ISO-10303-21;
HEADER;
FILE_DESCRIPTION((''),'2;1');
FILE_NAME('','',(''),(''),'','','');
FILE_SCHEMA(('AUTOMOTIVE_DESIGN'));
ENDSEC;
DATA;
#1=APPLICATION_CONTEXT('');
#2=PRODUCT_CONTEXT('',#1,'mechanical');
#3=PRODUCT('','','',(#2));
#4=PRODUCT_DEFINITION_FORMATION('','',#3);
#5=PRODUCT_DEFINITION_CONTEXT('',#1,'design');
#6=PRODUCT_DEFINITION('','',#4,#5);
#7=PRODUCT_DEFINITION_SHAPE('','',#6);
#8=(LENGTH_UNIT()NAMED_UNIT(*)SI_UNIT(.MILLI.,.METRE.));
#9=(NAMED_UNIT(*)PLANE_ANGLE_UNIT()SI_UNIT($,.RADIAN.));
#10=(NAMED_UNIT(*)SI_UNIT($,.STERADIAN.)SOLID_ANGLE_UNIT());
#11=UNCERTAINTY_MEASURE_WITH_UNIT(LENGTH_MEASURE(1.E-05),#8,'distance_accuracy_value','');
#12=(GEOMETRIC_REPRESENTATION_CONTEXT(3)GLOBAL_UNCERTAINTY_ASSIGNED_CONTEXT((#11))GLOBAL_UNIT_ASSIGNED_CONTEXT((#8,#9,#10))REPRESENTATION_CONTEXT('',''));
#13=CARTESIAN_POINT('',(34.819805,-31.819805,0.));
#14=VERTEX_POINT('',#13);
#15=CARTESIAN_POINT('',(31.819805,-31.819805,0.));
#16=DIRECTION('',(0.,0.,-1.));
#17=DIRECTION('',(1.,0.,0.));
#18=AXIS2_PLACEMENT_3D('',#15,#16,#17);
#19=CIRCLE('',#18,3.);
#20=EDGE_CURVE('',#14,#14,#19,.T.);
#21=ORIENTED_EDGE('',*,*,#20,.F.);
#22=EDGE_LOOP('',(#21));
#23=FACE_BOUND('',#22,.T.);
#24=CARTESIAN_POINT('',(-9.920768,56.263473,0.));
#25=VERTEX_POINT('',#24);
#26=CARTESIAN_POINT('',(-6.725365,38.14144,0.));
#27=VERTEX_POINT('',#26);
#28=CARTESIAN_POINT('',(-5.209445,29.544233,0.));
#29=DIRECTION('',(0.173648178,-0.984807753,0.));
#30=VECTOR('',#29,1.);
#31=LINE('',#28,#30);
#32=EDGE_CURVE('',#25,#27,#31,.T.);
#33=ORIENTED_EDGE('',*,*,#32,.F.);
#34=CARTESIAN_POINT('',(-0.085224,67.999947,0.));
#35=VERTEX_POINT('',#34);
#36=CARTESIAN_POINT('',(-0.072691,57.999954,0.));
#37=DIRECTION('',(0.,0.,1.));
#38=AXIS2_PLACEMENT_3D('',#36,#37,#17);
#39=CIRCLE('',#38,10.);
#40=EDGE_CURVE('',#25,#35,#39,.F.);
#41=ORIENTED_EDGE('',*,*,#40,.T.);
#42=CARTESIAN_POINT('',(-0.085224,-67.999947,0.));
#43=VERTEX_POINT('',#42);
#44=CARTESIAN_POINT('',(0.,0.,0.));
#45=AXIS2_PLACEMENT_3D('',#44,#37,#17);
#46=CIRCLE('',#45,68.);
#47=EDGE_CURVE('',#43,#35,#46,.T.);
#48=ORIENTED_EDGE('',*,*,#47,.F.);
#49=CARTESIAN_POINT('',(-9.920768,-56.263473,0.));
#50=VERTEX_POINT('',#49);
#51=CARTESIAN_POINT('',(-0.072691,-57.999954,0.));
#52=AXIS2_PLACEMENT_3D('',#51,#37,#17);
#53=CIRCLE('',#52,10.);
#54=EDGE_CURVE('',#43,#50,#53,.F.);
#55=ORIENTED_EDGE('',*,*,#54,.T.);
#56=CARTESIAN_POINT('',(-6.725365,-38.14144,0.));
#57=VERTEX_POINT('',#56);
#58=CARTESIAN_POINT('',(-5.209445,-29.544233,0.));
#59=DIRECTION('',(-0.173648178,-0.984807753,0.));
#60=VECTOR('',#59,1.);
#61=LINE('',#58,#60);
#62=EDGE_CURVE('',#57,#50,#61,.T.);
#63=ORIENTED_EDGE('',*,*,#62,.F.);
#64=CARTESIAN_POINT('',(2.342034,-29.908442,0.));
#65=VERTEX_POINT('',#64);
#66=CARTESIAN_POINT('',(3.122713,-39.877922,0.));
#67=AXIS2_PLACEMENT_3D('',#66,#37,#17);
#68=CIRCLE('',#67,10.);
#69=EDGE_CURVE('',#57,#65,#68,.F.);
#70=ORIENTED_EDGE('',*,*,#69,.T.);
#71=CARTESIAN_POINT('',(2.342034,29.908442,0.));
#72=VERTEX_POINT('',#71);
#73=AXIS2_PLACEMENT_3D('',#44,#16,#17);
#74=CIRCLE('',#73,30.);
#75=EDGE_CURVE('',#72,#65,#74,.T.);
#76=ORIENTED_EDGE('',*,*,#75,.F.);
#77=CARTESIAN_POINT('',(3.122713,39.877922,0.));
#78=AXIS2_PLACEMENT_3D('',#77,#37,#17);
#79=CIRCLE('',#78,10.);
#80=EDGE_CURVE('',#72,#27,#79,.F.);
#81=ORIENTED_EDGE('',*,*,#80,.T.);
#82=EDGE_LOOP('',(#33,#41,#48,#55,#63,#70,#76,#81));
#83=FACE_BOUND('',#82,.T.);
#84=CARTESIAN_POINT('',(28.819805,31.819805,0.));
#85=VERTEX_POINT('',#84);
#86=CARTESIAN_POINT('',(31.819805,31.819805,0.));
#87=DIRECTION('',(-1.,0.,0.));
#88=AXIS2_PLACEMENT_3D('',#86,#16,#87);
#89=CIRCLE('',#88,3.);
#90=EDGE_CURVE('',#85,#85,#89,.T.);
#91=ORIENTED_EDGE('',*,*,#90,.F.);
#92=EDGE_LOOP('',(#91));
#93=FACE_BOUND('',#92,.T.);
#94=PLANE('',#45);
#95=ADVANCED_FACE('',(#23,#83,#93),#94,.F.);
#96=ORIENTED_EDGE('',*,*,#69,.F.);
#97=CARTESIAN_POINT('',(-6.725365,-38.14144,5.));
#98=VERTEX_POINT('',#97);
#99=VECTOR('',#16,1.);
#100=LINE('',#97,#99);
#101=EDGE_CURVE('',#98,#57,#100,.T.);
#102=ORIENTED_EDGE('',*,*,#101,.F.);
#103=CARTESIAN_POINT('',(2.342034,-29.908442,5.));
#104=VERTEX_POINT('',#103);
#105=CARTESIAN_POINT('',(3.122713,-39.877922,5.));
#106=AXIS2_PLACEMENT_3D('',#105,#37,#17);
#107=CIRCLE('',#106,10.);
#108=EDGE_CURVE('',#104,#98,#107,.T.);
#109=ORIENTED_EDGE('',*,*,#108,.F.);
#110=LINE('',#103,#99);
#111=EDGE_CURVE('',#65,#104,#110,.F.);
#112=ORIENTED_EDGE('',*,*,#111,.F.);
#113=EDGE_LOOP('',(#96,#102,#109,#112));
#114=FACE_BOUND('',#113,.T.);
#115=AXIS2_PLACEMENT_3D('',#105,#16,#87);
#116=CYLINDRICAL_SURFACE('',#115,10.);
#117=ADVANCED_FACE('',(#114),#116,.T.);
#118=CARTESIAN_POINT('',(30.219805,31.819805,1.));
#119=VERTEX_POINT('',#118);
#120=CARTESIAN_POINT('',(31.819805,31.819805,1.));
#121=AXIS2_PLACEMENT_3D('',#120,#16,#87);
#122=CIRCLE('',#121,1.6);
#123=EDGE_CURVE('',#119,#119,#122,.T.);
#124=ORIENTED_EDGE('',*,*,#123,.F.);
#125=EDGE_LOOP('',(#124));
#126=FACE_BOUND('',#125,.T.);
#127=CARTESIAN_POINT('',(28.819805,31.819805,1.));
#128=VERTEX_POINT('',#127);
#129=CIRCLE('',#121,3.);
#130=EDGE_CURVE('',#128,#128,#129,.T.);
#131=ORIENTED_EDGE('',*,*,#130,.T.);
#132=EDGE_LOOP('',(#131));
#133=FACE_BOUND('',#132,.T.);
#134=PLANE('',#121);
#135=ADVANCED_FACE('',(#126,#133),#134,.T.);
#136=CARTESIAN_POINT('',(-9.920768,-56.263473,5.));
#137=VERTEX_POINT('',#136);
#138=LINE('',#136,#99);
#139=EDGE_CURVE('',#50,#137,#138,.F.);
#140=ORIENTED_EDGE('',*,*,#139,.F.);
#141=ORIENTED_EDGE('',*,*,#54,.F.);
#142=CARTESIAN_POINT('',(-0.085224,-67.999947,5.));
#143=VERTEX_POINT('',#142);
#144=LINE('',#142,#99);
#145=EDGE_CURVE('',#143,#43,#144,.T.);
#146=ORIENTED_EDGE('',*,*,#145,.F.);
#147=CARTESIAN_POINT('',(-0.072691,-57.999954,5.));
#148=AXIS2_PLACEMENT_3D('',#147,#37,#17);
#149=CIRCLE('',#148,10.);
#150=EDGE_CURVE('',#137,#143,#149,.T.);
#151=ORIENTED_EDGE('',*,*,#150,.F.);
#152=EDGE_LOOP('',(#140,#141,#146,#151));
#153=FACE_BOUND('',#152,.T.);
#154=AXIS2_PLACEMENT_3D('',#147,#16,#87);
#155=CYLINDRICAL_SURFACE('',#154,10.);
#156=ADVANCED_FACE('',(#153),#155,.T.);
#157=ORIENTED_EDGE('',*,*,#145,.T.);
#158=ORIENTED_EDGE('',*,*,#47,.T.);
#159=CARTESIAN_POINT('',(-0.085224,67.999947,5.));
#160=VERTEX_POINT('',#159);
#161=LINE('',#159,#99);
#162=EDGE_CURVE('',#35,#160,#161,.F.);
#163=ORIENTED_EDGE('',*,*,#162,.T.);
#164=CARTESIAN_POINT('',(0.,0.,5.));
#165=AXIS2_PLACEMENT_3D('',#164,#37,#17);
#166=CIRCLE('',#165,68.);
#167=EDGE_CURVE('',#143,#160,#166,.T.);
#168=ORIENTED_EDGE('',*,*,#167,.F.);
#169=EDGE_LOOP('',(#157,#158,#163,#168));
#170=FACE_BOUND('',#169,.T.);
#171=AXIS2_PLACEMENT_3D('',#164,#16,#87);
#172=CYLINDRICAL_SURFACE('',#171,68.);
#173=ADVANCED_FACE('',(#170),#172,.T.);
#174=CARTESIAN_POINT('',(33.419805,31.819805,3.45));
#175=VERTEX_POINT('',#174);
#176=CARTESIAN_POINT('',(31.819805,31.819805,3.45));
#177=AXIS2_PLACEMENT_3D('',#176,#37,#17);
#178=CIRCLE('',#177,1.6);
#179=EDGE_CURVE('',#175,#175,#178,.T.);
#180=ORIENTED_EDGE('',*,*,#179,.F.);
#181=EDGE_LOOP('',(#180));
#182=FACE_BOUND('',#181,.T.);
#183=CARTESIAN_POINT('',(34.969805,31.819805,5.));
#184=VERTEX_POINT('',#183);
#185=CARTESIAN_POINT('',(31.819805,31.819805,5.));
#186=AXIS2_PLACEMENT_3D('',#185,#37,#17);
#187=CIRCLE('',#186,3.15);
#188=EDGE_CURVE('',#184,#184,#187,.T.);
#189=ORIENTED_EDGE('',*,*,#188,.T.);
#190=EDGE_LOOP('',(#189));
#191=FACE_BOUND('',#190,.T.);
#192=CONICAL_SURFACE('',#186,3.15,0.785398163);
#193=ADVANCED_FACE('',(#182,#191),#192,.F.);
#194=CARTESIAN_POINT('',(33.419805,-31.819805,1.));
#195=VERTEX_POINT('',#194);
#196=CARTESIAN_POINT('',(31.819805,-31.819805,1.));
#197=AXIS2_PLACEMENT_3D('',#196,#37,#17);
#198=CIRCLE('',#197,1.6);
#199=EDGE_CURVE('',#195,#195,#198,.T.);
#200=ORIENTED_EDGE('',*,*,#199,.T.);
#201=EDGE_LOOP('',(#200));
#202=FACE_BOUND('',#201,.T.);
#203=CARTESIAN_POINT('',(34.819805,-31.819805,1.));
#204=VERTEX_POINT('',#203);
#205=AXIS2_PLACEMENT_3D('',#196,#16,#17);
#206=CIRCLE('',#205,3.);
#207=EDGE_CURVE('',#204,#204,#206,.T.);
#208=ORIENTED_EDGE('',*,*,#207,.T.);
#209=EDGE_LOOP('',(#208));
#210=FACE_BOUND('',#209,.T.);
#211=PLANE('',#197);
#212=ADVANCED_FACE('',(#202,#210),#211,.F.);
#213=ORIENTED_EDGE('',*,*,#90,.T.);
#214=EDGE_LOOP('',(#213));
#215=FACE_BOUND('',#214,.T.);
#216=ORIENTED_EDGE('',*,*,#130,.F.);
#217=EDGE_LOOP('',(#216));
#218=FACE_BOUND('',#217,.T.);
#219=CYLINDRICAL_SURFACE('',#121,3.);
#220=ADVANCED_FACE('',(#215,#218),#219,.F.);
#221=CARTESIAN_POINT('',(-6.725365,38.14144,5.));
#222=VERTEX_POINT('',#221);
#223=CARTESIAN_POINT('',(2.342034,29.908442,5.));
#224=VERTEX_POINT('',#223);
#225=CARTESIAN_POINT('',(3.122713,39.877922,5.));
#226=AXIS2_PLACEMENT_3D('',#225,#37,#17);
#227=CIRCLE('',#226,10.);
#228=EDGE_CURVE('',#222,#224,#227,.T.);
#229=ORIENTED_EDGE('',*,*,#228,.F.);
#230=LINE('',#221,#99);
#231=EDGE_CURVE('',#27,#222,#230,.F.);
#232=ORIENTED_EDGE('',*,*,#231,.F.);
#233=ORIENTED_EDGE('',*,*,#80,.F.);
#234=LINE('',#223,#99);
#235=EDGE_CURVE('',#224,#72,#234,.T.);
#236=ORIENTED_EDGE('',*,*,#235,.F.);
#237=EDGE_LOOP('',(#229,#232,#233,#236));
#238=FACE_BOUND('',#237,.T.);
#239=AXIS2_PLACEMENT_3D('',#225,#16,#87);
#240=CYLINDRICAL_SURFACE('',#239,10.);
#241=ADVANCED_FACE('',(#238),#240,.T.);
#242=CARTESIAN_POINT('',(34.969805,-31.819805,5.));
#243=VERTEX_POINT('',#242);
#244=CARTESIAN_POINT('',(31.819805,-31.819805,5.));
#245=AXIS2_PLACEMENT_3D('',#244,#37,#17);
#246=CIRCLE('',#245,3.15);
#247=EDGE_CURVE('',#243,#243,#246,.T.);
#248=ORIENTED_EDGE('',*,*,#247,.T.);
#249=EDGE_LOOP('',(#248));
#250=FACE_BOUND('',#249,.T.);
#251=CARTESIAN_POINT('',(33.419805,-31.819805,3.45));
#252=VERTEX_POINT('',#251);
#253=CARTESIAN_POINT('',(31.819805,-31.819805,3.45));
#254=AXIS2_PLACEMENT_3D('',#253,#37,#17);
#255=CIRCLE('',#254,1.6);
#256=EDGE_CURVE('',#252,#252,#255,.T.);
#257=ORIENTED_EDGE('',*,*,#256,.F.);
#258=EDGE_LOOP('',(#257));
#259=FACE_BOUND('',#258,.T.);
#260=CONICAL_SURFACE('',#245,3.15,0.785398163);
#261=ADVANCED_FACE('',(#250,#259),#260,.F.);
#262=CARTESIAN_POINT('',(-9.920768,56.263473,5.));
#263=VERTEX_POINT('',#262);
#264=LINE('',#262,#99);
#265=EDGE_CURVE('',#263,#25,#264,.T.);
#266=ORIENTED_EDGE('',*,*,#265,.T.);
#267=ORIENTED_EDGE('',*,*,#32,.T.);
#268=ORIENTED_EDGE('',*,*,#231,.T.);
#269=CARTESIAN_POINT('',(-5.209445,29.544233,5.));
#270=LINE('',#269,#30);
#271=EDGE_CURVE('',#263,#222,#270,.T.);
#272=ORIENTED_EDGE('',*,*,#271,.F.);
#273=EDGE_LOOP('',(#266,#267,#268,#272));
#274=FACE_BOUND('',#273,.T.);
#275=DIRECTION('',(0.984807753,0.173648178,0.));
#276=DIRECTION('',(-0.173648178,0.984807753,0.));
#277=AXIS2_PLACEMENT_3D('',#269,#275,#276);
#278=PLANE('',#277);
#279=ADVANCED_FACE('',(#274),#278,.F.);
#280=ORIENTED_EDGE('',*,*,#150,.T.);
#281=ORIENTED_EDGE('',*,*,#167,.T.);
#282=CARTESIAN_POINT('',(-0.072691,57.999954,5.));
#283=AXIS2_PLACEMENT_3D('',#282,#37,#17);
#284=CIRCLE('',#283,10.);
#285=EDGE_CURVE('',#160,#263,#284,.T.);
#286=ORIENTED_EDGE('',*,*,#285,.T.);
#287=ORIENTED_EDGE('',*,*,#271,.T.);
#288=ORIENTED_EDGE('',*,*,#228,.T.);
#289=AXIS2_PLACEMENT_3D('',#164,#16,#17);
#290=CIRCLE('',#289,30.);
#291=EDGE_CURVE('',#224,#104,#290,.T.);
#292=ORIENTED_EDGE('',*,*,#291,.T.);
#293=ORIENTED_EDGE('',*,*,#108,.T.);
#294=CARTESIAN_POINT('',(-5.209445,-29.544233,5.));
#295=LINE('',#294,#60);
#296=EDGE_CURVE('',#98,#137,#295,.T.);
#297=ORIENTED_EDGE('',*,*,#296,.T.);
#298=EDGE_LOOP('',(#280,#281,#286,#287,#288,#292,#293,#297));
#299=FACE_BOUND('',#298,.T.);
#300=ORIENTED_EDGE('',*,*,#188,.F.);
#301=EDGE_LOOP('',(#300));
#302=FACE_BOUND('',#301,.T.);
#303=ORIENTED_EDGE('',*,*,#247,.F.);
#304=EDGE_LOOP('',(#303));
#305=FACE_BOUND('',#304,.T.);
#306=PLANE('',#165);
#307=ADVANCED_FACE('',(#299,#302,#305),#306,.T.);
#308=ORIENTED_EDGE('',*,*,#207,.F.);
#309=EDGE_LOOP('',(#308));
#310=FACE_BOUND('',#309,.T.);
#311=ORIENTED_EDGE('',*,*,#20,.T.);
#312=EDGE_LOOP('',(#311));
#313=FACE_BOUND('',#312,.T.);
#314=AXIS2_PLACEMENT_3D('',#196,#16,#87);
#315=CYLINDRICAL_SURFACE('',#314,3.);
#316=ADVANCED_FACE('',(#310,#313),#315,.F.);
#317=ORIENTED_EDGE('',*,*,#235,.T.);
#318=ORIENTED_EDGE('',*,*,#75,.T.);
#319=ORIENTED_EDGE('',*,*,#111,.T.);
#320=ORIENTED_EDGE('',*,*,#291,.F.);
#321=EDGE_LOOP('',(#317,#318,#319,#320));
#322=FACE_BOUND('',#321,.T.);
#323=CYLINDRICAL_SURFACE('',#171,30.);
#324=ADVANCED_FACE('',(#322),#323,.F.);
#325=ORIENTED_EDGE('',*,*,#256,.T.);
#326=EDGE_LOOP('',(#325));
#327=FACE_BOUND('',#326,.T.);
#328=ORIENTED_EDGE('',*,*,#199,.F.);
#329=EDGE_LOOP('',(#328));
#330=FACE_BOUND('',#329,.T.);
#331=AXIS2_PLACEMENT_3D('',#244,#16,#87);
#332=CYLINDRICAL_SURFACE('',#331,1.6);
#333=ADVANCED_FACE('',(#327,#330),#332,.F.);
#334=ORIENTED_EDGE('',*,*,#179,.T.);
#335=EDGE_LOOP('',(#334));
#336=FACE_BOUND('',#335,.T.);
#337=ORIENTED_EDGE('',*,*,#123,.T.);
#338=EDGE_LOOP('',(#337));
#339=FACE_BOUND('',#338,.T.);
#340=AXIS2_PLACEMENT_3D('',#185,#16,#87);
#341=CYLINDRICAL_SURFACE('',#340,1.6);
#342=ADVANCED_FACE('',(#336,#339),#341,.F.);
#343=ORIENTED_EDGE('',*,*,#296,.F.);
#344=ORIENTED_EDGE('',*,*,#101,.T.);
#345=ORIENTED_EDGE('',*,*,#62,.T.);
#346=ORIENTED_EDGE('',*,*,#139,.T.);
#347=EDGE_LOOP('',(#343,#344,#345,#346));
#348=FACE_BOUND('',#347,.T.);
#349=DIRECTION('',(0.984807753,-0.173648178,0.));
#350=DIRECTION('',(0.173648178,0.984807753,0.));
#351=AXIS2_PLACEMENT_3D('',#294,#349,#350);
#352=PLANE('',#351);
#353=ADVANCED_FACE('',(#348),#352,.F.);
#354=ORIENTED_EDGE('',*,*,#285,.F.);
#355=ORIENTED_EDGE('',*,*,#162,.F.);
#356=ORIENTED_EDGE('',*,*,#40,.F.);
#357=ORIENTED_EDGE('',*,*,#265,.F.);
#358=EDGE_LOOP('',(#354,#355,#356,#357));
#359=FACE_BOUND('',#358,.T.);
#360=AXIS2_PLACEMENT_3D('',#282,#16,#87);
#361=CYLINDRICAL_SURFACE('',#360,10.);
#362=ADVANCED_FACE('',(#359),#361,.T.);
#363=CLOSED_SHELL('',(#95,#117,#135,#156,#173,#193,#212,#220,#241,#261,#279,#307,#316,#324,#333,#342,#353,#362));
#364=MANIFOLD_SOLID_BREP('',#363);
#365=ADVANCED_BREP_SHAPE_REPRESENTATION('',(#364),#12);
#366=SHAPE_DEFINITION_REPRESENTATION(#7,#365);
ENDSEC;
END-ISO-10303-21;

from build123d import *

# Parameters (mm, degrees)
SKETCH_1_R                   = 1.6
EXTRUDE_1_DEPTH              = 5
FILLET_1_R                   = 10
HOLE_WIZARD_M3_1_D           = 3.2
HOLE_WIZARD_M3_1_CSINK_D     = 6.3
HOLE_WIZARD_M3_1_CSINK_ANGLE = 90
SKETCH_5_R                   = 3
CUT_EXTRUDE_1_DEPTH          = 1


with BuildPart() as part:
    # ｽｹｯﾁ1 → ﾎﾞｽ - 押し出し1 (new body)
    with BuildSketch(Plane.XY):
        with BuildLine():
            Line((-5.20944533, 29.54423259), (-11.808076081, 66.966927205))
            ThreePointArc((-11.808076081, 66.966927205), (68, 0), (-11.808076081, -66.966927205))
            Line((-11.808076081, -66.966927205), (-5.20944533, -29.54423259))
            ThreePointArc((-5.20944533, -29.54423259), (30, 0), (-5.20944533, 29.54423259))
        make_face()
        with Locations((31.819805153, 31.819805153)):
            Circle(SKETCH_1_R, mode=Mode.SUBTRACT)
        with Locations(Location((31.819805153, -31.819805153, 0), (0, 0, 180))):
            Circle(SKETCH_1_R, mode=Mode.SUBTRACT)
    extrude(amount=EXTRUDE_1_DEPTH)

    # ﾌｨﾚｯﾄ1
    fillet_1_edges = [part.edges().sort_by_distance(p)[0] for p in [
        (-11.808076081, -66.966927205, 2.5),
        (-5.20944533, -29.54423259, 2.5),
        (-5.20944533, 29.54423259, 2.5),
        (-11.808076081, 66.966927205, 2.5),
    ]]
    fillet(fillet_1_edges, radius=FILLET_1_R)

    # M3 丸皿ねじ用皿穴1 (through all)
    with Locations(Plane.XY.offset(5)):
        with Locations((31.819805153, 31.819805153), (31.819805153, -31.819805153)):
            CounterSinkHole(HOLE_WIZARD_M3_1_D / 2, HOLE_WIZARD_M3_1_CSINK_D / 2, counter_sink_angle=HOLE_WIZARD_M3_1_CSINK_ANGLE)

    # ｽｹｯﾁ5 → ｶｯﾄ - 押し出し1 (cut)
    with BuildSketch(Plane(origin=(0, 0, 0), x_dir=(-1, 0, 0), z_dir=(0, 0, -1))):
        with Locations((-31.819805153, 31.819805153)):
            Circle(SKETCH_5_R)
        with Locations(Location((-31.819805153, -31.819805153, 0), (0, 0, 180))):
            Circle(SKETCH_5_R)
    extrude(amount=-CUT_EXTRUDE_1_DEPTH, mode=Mode.SUBTRACT)


solid = part.part
